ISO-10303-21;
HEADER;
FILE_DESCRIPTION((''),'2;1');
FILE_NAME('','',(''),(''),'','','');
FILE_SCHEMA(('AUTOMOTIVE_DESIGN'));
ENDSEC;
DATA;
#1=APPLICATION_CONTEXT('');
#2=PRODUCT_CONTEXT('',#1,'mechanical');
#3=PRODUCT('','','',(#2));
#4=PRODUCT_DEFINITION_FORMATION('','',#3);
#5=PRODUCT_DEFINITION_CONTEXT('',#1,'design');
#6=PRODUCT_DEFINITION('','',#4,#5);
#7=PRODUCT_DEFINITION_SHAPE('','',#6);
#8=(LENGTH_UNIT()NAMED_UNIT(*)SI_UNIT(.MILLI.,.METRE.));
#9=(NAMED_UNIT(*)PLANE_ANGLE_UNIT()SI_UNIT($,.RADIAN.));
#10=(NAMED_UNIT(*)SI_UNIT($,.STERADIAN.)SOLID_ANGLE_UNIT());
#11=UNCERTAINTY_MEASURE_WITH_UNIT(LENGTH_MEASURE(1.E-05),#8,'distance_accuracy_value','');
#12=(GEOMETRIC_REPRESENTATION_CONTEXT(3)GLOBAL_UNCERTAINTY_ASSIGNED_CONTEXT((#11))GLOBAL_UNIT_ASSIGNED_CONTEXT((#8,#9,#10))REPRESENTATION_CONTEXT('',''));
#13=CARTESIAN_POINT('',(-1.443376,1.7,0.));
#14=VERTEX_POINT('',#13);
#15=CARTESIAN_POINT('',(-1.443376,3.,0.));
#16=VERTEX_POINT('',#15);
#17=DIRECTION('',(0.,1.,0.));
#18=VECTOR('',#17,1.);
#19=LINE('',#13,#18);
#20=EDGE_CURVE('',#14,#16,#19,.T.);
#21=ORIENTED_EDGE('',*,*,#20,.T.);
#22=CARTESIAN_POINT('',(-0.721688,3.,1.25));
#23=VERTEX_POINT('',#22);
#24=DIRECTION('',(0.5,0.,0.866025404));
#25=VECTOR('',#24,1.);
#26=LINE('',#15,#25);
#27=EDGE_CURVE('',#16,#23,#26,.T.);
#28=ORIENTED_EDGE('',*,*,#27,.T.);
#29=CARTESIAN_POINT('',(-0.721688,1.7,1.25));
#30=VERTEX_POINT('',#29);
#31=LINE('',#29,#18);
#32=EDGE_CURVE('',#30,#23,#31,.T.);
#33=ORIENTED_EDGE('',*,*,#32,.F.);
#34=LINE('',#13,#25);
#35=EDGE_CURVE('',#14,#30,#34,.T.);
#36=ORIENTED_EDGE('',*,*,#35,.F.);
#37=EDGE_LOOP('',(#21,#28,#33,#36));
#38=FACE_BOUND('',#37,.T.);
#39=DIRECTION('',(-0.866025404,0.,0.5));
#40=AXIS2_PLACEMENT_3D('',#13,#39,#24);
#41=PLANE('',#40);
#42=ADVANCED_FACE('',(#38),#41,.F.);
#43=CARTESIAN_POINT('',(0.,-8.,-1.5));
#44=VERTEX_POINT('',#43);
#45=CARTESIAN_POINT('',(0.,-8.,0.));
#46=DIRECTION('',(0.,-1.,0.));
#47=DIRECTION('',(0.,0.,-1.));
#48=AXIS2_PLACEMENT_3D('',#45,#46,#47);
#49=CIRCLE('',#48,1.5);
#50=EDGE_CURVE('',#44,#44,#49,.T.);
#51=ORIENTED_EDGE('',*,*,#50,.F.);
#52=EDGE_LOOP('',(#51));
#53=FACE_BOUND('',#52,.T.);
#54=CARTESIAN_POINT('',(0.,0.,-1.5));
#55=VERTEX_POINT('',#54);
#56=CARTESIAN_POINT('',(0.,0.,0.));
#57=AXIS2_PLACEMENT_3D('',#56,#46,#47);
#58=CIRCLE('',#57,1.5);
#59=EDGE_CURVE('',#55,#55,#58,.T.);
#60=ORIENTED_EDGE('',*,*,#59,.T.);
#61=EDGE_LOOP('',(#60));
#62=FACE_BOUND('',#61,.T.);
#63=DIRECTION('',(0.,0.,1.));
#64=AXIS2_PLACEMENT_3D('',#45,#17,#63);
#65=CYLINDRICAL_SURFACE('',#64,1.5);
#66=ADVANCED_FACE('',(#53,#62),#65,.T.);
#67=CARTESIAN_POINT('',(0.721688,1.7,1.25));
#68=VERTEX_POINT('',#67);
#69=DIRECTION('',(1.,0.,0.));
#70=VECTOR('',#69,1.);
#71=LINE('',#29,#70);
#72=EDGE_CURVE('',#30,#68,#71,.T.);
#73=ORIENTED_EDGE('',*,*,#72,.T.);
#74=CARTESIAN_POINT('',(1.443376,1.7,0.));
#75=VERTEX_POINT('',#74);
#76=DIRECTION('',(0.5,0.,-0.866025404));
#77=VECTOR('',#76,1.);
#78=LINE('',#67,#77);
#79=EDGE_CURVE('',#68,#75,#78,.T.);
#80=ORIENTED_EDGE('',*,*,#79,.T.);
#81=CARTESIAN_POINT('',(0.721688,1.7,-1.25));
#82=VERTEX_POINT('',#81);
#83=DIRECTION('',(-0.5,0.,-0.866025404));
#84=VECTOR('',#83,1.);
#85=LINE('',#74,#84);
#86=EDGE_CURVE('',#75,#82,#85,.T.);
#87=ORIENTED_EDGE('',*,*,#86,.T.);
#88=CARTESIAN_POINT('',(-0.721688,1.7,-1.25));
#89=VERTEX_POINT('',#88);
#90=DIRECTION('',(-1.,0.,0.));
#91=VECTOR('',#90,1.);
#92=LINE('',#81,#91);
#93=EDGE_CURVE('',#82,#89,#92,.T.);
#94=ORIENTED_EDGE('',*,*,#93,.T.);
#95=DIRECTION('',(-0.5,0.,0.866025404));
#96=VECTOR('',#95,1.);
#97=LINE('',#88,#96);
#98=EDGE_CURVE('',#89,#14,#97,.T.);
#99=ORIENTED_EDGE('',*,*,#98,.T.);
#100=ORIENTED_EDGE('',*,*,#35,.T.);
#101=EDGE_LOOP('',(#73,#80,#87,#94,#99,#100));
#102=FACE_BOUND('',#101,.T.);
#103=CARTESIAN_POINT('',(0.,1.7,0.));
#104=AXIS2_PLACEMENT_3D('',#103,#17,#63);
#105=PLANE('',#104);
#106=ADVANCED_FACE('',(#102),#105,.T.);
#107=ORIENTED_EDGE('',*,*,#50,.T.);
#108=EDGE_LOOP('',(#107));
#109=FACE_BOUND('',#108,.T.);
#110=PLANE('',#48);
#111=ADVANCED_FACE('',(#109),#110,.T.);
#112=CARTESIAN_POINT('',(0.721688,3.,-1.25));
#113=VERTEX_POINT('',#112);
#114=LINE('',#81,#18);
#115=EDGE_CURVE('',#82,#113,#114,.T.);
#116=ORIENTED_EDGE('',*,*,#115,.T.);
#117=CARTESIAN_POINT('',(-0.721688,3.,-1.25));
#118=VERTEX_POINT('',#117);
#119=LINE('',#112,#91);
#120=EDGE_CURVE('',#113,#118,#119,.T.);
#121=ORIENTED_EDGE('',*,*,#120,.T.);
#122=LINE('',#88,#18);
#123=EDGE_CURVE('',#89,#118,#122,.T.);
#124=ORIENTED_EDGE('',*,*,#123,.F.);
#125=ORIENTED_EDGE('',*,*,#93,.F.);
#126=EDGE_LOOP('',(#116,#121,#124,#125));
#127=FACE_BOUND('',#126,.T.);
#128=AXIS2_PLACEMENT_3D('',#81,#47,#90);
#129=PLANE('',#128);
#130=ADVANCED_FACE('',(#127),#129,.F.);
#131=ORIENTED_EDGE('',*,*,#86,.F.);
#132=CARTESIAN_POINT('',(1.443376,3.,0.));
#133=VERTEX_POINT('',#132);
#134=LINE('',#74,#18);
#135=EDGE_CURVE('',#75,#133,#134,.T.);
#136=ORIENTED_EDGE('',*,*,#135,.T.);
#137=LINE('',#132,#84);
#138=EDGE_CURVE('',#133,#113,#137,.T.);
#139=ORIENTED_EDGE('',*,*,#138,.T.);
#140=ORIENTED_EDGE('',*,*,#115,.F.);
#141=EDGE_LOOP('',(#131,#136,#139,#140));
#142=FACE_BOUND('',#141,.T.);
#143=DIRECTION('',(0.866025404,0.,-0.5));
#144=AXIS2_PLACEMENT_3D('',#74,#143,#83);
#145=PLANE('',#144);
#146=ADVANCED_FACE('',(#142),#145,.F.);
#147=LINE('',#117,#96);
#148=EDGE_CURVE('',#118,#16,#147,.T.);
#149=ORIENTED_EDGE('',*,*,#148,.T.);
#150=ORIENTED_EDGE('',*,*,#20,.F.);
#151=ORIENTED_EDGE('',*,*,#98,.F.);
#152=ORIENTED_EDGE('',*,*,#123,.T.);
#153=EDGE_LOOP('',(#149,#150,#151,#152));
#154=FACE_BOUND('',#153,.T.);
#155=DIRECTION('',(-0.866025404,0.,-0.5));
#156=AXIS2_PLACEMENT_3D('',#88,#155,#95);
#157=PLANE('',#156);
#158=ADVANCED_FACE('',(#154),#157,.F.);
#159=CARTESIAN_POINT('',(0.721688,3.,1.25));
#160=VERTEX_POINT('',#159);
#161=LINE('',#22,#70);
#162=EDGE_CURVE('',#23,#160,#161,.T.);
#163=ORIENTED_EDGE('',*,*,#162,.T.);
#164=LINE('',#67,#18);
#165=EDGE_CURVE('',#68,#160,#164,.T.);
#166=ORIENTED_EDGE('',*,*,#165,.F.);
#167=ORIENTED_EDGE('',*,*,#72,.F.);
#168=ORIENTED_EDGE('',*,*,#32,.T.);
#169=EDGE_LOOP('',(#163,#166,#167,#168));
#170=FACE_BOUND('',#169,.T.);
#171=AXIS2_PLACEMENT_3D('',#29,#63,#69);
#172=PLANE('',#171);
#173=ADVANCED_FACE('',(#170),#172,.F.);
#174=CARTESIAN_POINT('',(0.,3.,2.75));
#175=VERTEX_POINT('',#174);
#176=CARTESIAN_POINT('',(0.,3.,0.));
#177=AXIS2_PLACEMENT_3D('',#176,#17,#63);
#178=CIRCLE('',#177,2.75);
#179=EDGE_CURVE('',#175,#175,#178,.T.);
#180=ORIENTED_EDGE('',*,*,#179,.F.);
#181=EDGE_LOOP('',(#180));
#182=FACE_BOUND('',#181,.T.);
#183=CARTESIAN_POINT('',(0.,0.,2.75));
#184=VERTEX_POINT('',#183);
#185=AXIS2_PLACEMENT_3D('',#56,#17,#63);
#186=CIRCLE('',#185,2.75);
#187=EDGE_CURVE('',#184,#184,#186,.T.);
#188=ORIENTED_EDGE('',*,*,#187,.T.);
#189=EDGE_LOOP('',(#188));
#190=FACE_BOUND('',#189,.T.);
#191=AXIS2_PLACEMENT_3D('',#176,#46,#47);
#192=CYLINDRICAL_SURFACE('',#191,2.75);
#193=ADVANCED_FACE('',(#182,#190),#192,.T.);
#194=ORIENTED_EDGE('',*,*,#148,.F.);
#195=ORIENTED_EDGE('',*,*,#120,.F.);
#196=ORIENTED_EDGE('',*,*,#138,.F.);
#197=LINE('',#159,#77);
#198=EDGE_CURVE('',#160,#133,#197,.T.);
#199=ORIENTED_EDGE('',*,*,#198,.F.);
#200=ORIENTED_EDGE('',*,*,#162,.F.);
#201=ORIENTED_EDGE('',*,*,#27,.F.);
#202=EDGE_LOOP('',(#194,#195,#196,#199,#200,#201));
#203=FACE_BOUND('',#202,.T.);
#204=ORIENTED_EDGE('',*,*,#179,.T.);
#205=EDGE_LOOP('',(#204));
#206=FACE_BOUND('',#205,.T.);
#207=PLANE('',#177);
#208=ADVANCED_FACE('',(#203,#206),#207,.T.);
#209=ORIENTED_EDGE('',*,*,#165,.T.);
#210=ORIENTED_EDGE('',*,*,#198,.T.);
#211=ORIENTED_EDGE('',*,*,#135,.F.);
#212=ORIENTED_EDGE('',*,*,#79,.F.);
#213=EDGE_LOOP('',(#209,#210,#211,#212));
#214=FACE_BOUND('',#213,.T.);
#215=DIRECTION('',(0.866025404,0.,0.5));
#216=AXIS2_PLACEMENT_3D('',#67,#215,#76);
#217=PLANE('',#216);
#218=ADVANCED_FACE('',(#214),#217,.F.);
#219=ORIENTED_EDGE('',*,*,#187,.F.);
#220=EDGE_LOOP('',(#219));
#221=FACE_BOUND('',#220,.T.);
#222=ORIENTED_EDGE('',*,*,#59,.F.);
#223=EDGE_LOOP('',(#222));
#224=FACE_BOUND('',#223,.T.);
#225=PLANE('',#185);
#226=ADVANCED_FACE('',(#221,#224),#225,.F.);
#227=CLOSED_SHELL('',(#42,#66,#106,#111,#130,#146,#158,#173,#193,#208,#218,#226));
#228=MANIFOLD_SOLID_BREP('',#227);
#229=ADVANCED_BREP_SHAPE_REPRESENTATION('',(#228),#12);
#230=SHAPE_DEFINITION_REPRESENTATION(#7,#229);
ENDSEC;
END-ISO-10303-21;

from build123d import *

# Parameters (mm, degrees)
SKETCH_1_R            = 2.75
EXTRUDE_248_DEPTH     = 3
CUT_EXTRUDE_378_DEPTH = 1.3
SKETCH_3_R            = 1.5
EXTRUDE_479_DEPTH     = 8


with BuildPart() as part:
    # 草图1 → Extrude 248 (new body)
    with BuildSketch(Plane(origin=(0, 0, 0), x_dir=(1, 0, 0), z_dir=(0, 1, 0))):
        Circle(SKETCH_1_R)
    extrude(amount=EXTRUDE_248_DEPTH)

    # 草图2 → Cut-Extrude 378 (cut)
    with BuildSketch(Plane(origin=(0, 3, 0), x_dir=(1, 0, 0), z_dir=(0, 1, 0))):
        Polygon((1.443375673, 0), (0.721687836, 1.25), (-0.721687836, 1.25), (-1.443375673, 0), (-0.721687836, -1.25), (0.721687836, -1.25), align=None)
    extrude(amount=-CUT_EXTRUDE_378_DEPTH, mode=Mode.SUBTRACT)

    # 草图3 → Extrude 479 (add)
    with BuildSketch(Plane.XZ):
        Circle(SKETCH_3_R)
    extrude(amount=EXTRUDE_479_DEPTH)


solid = part.part
